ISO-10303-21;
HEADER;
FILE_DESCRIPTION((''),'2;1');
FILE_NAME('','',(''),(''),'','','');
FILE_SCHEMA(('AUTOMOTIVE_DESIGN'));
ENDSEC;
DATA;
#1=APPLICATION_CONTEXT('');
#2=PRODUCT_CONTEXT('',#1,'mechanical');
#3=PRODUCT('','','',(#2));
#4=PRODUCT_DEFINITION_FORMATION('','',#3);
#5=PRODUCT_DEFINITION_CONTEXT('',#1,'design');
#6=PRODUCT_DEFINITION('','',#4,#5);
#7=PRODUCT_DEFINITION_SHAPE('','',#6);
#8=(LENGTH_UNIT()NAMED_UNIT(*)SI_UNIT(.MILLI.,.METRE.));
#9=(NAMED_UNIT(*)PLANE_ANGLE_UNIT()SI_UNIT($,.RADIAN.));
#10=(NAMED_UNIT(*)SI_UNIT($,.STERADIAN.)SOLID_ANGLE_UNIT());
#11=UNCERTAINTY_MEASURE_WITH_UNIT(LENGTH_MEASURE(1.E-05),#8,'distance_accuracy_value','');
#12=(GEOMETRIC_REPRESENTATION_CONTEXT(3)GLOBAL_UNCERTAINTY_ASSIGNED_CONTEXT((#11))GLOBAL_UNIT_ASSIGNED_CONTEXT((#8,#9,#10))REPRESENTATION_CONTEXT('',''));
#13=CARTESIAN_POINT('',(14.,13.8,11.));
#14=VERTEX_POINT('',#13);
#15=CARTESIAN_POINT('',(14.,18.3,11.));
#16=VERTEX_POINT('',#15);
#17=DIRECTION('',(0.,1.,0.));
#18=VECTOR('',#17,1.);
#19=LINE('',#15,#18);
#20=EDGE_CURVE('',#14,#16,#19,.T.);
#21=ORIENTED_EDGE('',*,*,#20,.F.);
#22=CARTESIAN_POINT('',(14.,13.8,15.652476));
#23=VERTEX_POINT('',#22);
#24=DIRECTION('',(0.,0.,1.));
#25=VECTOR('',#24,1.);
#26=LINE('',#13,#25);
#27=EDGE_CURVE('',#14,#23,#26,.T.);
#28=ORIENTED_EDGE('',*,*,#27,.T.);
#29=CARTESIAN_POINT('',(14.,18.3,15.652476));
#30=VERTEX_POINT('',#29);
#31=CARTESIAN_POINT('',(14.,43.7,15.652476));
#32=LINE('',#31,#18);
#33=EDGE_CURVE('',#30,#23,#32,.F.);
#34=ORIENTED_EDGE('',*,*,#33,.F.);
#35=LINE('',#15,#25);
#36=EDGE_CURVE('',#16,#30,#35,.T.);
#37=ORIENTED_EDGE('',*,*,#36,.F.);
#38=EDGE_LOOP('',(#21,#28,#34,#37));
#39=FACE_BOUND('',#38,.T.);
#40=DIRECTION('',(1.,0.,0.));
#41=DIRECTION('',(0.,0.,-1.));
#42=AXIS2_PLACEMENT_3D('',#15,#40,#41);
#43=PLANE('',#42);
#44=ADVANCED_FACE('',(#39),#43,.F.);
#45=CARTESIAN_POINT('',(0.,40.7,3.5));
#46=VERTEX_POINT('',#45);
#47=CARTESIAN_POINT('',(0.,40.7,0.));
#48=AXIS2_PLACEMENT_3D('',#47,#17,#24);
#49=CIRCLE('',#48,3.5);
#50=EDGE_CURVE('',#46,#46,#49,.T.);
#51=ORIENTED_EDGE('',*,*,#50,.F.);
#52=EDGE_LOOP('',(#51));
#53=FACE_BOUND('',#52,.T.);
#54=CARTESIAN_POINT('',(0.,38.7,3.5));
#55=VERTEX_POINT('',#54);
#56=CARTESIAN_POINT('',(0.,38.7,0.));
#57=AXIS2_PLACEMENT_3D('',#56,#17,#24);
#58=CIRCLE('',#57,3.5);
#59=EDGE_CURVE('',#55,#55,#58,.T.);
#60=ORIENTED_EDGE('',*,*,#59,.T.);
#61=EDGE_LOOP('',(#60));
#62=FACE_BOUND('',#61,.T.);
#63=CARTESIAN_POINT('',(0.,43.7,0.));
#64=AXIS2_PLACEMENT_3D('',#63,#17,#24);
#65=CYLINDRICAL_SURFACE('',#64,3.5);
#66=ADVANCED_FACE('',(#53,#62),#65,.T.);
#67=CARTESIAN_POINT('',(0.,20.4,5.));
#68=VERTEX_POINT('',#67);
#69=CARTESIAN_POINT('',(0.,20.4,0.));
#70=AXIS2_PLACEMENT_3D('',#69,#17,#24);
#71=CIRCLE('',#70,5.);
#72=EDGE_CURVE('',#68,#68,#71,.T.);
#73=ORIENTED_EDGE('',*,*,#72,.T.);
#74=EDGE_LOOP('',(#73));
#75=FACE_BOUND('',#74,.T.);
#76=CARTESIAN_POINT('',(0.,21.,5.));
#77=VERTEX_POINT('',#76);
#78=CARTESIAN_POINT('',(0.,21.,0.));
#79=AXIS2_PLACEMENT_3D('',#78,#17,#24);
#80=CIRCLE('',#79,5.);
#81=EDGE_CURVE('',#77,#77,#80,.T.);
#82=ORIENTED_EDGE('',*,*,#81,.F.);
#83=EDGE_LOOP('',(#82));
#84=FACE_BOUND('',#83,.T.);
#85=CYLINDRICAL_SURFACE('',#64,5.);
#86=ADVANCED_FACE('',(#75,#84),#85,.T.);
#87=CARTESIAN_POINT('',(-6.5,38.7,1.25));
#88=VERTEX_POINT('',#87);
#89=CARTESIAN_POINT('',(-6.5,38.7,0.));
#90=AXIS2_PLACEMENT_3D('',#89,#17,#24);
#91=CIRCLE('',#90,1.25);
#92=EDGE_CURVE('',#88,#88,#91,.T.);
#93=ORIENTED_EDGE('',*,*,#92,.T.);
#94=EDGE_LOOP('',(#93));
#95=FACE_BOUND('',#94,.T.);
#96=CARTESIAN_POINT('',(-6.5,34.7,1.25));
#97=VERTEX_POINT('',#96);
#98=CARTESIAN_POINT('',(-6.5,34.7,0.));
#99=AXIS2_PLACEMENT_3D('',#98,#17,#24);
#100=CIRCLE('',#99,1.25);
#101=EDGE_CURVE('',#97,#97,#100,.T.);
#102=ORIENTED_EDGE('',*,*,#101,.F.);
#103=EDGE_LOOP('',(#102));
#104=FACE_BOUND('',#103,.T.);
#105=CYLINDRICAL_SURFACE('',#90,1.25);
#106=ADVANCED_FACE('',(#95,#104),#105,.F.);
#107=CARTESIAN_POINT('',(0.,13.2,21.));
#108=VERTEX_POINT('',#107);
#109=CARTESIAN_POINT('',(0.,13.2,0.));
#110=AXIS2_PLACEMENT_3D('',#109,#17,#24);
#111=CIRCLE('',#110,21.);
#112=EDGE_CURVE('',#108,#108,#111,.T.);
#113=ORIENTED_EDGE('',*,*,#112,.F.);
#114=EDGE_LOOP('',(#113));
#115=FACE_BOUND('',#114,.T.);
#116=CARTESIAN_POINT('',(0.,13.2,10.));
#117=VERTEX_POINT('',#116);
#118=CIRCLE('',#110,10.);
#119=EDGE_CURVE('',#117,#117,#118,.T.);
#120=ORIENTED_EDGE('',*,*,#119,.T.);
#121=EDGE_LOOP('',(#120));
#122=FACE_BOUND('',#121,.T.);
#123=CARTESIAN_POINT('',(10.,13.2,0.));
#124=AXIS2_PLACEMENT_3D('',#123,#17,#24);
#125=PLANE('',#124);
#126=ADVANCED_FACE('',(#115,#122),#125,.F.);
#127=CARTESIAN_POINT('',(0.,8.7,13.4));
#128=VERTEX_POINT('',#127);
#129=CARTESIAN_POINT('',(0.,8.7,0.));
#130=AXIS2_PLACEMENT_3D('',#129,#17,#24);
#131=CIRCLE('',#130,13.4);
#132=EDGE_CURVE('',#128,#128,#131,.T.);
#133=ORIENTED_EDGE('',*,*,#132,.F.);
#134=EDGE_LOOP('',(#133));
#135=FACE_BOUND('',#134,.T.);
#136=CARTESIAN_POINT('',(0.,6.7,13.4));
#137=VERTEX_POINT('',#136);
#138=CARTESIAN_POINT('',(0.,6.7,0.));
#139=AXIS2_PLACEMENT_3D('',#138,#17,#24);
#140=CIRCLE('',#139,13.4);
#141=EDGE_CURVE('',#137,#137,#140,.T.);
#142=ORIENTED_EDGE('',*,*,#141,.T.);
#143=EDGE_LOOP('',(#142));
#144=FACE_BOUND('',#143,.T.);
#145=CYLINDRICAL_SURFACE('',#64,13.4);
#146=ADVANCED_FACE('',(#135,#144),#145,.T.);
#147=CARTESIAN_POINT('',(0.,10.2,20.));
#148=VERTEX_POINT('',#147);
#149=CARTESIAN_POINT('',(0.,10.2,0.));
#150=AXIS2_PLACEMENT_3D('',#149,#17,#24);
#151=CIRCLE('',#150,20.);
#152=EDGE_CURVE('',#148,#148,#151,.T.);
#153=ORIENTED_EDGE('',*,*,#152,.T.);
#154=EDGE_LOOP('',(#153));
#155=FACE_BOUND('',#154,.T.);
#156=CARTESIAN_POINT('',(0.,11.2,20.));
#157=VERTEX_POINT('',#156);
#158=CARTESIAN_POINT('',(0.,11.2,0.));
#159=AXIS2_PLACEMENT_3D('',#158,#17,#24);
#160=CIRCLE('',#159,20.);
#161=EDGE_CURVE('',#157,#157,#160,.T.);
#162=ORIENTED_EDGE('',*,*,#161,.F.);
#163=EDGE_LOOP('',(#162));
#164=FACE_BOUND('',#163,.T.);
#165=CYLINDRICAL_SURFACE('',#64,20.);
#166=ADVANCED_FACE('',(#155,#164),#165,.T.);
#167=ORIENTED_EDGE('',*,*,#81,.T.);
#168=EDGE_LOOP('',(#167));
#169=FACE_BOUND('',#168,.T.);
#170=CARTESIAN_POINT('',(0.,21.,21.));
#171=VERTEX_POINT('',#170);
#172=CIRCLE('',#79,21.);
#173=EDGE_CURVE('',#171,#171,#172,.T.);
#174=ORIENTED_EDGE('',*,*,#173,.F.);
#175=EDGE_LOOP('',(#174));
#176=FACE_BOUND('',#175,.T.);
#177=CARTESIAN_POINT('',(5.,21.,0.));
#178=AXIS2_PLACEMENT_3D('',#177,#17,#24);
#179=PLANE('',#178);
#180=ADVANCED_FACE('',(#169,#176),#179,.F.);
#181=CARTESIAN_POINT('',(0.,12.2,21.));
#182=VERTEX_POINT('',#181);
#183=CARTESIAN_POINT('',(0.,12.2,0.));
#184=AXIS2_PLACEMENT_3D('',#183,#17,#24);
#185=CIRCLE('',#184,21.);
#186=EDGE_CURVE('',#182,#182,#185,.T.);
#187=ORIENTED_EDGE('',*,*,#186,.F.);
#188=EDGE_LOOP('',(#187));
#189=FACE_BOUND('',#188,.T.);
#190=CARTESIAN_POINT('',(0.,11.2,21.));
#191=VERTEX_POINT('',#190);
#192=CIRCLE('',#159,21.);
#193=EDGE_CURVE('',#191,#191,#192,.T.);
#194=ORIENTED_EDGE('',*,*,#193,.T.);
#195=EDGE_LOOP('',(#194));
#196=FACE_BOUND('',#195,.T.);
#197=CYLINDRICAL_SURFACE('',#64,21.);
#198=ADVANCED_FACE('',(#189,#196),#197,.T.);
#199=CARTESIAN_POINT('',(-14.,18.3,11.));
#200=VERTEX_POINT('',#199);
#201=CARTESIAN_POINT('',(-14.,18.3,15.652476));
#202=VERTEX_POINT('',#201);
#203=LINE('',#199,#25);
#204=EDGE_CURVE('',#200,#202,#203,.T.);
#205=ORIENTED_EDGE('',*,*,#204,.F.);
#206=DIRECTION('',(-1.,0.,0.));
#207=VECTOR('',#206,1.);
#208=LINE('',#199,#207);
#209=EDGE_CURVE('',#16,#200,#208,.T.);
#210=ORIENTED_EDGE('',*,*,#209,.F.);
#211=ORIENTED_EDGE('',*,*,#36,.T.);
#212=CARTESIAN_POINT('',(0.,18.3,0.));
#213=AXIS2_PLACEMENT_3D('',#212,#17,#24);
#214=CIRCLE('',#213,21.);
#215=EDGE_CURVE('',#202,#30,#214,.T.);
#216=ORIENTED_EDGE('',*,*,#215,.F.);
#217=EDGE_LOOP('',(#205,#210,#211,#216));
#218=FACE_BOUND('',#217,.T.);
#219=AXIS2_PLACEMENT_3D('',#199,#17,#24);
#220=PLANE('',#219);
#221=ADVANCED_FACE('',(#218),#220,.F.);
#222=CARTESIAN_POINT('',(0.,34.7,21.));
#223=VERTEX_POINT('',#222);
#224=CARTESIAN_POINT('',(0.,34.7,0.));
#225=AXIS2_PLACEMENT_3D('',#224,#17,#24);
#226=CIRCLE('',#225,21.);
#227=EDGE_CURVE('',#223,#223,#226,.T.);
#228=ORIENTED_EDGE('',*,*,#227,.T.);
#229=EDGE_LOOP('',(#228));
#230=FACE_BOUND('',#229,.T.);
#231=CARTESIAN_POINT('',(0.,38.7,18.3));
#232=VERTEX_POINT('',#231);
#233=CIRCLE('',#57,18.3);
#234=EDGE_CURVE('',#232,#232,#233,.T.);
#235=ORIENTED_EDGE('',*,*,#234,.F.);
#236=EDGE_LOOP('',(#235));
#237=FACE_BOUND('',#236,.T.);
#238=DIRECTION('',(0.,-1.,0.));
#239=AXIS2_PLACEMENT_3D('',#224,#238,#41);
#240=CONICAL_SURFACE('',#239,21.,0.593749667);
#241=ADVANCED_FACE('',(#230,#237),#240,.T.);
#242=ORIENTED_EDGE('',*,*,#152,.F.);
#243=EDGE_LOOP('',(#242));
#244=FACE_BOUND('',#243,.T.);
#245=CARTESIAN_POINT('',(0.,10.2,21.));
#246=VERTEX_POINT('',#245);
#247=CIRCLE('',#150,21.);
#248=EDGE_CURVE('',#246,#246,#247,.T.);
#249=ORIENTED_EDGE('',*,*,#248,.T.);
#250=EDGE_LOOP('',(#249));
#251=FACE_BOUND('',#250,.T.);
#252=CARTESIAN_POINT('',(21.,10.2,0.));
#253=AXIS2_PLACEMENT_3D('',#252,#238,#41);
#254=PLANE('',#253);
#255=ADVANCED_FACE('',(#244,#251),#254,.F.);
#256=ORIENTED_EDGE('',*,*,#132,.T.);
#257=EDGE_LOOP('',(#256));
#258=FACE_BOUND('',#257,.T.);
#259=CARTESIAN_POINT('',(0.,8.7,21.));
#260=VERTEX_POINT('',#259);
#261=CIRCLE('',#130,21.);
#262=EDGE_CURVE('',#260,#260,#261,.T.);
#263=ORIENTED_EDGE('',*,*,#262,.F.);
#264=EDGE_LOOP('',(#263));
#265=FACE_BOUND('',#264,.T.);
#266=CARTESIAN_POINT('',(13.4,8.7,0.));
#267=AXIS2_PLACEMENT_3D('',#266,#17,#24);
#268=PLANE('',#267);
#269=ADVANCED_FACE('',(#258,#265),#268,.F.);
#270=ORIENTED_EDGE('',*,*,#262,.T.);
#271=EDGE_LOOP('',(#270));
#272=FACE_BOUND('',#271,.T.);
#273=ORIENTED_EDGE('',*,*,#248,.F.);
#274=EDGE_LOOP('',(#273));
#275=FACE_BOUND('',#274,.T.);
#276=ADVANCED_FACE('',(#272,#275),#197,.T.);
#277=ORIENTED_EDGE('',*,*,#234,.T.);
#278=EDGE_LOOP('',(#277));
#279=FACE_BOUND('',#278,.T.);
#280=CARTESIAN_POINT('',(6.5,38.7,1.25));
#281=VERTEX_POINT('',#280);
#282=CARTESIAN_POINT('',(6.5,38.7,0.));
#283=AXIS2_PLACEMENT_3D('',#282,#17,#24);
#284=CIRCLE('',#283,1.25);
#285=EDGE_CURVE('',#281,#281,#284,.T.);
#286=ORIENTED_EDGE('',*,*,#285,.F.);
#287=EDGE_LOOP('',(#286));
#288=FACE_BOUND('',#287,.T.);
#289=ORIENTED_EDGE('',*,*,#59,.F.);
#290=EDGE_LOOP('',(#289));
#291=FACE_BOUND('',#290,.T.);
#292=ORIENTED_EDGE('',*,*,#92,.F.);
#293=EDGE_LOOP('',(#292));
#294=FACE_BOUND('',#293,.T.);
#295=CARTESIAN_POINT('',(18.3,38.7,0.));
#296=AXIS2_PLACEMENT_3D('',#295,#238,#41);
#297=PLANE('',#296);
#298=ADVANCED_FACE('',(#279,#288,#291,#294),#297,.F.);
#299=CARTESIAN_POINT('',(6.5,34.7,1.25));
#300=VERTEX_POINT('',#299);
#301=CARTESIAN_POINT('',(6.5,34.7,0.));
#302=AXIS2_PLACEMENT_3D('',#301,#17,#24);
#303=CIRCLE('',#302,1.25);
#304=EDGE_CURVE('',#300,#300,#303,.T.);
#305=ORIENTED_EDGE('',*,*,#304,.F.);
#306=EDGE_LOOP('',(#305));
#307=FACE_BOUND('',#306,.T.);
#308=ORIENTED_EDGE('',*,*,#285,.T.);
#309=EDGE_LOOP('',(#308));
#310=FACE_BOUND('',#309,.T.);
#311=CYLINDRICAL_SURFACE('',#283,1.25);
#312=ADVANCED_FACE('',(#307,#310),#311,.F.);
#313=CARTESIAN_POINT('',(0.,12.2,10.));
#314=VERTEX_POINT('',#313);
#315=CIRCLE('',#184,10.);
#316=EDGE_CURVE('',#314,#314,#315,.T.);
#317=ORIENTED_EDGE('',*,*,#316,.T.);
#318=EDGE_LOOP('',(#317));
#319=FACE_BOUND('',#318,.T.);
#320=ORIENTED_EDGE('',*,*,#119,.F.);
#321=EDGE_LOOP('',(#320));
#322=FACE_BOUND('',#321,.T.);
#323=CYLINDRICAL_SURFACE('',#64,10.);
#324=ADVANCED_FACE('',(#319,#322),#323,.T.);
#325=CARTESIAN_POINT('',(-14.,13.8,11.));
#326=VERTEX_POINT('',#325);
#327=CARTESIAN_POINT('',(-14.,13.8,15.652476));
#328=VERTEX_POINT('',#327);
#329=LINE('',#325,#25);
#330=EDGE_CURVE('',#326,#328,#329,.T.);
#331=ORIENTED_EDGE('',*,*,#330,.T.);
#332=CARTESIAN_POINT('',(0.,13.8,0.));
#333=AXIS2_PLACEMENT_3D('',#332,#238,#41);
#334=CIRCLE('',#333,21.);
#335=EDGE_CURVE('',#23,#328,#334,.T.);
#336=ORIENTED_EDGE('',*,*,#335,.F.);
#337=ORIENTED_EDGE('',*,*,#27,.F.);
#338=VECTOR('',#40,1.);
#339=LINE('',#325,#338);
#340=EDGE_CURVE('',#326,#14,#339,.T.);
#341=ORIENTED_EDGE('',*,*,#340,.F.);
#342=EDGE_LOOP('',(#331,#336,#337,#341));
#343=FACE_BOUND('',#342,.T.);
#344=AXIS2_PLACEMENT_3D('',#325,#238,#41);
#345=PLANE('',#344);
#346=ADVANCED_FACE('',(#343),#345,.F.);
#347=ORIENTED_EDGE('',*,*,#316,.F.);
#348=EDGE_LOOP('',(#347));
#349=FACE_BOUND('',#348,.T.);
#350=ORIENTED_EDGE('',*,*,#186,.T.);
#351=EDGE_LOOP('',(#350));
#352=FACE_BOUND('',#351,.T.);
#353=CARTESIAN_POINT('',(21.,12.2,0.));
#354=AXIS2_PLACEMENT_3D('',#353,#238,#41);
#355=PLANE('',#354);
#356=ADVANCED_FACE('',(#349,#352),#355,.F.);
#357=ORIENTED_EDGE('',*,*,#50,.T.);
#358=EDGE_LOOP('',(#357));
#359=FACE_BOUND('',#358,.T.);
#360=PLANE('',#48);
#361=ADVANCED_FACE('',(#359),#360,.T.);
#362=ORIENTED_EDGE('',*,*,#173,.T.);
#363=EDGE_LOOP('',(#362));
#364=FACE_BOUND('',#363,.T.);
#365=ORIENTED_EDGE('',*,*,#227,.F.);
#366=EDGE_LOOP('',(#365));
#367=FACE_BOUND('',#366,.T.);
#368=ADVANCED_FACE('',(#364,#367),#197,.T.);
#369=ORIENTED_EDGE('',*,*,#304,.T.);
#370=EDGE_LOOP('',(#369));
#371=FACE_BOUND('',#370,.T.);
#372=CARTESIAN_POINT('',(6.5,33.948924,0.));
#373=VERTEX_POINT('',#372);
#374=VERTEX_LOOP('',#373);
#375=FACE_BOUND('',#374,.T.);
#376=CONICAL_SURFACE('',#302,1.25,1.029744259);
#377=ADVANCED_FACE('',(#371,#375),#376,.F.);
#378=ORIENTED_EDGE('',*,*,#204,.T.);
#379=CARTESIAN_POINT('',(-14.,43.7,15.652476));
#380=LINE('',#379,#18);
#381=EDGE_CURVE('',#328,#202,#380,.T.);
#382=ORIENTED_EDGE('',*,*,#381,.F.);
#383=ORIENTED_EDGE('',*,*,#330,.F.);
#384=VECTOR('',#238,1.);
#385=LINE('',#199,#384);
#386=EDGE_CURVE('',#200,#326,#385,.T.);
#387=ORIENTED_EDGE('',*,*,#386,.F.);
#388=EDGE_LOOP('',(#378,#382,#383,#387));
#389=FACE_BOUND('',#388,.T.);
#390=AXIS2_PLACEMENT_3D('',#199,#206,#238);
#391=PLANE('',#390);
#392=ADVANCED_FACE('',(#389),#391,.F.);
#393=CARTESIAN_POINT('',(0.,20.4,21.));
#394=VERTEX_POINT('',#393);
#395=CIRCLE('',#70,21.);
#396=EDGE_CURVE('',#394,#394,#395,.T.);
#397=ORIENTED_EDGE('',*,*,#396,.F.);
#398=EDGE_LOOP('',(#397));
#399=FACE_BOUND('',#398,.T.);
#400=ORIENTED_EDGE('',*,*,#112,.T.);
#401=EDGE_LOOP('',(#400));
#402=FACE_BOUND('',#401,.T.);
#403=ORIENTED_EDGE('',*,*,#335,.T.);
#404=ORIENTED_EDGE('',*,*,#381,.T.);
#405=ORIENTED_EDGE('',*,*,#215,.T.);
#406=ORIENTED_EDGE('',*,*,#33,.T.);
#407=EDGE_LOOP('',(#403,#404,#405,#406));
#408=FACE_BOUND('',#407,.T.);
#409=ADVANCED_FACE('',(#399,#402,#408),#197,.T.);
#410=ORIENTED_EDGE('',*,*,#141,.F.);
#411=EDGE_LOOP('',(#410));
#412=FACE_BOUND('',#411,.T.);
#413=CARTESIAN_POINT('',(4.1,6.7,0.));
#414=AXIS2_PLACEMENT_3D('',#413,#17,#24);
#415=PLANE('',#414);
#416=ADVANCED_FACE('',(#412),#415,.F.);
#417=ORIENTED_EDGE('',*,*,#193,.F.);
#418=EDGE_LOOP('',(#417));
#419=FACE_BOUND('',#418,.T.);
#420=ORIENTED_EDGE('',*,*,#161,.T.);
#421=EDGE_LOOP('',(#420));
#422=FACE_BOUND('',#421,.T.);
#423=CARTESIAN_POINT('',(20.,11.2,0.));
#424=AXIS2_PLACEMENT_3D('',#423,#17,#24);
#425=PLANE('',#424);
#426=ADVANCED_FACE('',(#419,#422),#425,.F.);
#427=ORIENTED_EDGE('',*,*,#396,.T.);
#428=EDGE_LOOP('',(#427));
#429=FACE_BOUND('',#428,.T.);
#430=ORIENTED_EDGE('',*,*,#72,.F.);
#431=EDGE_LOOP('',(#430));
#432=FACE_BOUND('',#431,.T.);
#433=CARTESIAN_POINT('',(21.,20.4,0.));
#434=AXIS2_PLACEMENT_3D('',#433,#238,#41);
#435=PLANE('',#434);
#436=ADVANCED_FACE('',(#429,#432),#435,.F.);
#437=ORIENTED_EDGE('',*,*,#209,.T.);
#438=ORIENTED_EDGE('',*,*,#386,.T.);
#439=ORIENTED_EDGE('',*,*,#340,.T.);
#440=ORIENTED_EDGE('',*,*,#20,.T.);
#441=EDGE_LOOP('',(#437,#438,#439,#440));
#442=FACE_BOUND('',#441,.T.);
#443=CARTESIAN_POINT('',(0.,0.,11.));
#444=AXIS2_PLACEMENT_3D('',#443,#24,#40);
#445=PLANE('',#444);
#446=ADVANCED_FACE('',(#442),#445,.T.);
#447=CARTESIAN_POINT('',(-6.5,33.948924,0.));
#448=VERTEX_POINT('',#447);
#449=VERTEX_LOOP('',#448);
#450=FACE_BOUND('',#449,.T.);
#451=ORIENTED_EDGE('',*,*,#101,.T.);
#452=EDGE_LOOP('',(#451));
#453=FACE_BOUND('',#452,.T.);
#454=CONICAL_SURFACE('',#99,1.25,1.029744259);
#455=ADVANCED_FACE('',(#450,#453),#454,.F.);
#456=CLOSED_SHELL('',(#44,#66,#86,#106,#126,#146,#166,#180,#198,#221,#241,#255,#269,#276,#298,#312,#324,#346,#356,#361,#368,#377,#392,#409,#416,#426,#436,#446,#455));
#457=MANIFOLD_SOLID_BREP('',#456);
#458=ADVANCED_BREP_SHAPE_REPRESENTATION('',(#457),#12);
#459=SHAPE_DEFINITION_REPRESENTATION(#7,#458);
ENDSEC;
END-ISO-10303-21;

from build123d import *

# Parameters (mm, degrees)
SKETCH_2_W             = 28
SKETCH_2_H             = 4.5
CUT_EXTRUDE_1_DEPTH    = 10
HOLE_WIZARD_M3_1_D     = 2.5
HOLE_WIZARD_M3_1_DEPTH = 4
HOLE_WIZARD_M3_1_TIP   = 0.751075774
SKETCH_18_R            = 3.5
CUT_EXTRUDE_3_DEPTH    = 3
CUT_EXTRUDE_START      = -6.7
SKETCH_19_R            = 4.1
CUT_EXTRUDE_4_DEPTH    = 6.7


with BuildPart() as part:
    # 草图1 → 旋转1 (revolve)
    with BuildSketch(Plane.XY, mode=Mode.PRIVATE) as revolve_1_sk:
        Polygon((0, 0), (4.1, 0), (4.1, 6.7), (13.4, 6.7), (13.4, 8.7), (21, 8.7), (21, 10.2), (20, 10.2), (20, 11.2), (21, 11.2), (21, 12.2), (10, 12.2), (10, 13.2), (21, 13.2), (21, 20.4), (5, 20.4), (5, 21), (21, 21), (21, 34.7), (18.3, 38.7), (3.5, 38.7), (3.5, 43.7), (0, 43.7), align=None)
    revolve(revolve_1_sk.sketch.rotate(Axis((0, 43.7, 0), (0, -1, 0)), 90), axis=Axis((0, 43.7, 0), (0, -1, 0)))

    # 草图2 → 切除-拉伸1 (cut)
    with BuildSketch(Plane.XY.offset(21)):
        with Locations((0, 16.05)):
            Rectangle(SKETCH_2_W, SKETCH_2_H)
    extrude(amount=-CUT_EXTRUDE_1_DEPTH, mode=Mode.SUBTRACT)

    # M3 螺纹孔1
    with Locations(Plane(origin=(0, 38.7, 0), x_dir=(1, 0, 0), z_dir=(0, 1, 0))):
        with Locations((-6.5, 0), (6.5, 0)):
            Hole(HOLE_WIZARD_M3_1_D / 2, depth=HOLE_WIZARD_M3_1_DEPTH)
            with Locations((0, 0, -(HOLE_WIZARD_M3_1_DEPTH + HOLE_WIZARD_M3_1_TIP / 2))):  # 118° drill point
                Cone(0, HOLE_WIZARD_M3_1_D / 2, HOLE_WIZARD_M3_1_TIP, mode=Mode.SUBTRACT)

    # 草图18 → 切除-拉伸3 (cut)
    with BuildSketch(Plane(origin=(0, 43.7, 0), x_dir=(1, 0, 0), z_dir=(0, 1, 0))):
        with Locations(Location((0, 0, 0), (0, 0, 270))):
            Circle(SKETCH_18_R)
    extrude(amount=-CUT_EXTRUDE_3_DEPTH, mode=Mode.SUBTRACT)

    # 草图19 → 切除-拉伸4 (cut)
    with BuildSketch(Plane.XZ.offset(CUT_EXTRUDE_START)):
        Circle(SKETCH_19_R)
    extrude(amount=CUT_EXTRUDE_4_DEPTH, mode=Mode.SUBTRACT)


solid = part.part
